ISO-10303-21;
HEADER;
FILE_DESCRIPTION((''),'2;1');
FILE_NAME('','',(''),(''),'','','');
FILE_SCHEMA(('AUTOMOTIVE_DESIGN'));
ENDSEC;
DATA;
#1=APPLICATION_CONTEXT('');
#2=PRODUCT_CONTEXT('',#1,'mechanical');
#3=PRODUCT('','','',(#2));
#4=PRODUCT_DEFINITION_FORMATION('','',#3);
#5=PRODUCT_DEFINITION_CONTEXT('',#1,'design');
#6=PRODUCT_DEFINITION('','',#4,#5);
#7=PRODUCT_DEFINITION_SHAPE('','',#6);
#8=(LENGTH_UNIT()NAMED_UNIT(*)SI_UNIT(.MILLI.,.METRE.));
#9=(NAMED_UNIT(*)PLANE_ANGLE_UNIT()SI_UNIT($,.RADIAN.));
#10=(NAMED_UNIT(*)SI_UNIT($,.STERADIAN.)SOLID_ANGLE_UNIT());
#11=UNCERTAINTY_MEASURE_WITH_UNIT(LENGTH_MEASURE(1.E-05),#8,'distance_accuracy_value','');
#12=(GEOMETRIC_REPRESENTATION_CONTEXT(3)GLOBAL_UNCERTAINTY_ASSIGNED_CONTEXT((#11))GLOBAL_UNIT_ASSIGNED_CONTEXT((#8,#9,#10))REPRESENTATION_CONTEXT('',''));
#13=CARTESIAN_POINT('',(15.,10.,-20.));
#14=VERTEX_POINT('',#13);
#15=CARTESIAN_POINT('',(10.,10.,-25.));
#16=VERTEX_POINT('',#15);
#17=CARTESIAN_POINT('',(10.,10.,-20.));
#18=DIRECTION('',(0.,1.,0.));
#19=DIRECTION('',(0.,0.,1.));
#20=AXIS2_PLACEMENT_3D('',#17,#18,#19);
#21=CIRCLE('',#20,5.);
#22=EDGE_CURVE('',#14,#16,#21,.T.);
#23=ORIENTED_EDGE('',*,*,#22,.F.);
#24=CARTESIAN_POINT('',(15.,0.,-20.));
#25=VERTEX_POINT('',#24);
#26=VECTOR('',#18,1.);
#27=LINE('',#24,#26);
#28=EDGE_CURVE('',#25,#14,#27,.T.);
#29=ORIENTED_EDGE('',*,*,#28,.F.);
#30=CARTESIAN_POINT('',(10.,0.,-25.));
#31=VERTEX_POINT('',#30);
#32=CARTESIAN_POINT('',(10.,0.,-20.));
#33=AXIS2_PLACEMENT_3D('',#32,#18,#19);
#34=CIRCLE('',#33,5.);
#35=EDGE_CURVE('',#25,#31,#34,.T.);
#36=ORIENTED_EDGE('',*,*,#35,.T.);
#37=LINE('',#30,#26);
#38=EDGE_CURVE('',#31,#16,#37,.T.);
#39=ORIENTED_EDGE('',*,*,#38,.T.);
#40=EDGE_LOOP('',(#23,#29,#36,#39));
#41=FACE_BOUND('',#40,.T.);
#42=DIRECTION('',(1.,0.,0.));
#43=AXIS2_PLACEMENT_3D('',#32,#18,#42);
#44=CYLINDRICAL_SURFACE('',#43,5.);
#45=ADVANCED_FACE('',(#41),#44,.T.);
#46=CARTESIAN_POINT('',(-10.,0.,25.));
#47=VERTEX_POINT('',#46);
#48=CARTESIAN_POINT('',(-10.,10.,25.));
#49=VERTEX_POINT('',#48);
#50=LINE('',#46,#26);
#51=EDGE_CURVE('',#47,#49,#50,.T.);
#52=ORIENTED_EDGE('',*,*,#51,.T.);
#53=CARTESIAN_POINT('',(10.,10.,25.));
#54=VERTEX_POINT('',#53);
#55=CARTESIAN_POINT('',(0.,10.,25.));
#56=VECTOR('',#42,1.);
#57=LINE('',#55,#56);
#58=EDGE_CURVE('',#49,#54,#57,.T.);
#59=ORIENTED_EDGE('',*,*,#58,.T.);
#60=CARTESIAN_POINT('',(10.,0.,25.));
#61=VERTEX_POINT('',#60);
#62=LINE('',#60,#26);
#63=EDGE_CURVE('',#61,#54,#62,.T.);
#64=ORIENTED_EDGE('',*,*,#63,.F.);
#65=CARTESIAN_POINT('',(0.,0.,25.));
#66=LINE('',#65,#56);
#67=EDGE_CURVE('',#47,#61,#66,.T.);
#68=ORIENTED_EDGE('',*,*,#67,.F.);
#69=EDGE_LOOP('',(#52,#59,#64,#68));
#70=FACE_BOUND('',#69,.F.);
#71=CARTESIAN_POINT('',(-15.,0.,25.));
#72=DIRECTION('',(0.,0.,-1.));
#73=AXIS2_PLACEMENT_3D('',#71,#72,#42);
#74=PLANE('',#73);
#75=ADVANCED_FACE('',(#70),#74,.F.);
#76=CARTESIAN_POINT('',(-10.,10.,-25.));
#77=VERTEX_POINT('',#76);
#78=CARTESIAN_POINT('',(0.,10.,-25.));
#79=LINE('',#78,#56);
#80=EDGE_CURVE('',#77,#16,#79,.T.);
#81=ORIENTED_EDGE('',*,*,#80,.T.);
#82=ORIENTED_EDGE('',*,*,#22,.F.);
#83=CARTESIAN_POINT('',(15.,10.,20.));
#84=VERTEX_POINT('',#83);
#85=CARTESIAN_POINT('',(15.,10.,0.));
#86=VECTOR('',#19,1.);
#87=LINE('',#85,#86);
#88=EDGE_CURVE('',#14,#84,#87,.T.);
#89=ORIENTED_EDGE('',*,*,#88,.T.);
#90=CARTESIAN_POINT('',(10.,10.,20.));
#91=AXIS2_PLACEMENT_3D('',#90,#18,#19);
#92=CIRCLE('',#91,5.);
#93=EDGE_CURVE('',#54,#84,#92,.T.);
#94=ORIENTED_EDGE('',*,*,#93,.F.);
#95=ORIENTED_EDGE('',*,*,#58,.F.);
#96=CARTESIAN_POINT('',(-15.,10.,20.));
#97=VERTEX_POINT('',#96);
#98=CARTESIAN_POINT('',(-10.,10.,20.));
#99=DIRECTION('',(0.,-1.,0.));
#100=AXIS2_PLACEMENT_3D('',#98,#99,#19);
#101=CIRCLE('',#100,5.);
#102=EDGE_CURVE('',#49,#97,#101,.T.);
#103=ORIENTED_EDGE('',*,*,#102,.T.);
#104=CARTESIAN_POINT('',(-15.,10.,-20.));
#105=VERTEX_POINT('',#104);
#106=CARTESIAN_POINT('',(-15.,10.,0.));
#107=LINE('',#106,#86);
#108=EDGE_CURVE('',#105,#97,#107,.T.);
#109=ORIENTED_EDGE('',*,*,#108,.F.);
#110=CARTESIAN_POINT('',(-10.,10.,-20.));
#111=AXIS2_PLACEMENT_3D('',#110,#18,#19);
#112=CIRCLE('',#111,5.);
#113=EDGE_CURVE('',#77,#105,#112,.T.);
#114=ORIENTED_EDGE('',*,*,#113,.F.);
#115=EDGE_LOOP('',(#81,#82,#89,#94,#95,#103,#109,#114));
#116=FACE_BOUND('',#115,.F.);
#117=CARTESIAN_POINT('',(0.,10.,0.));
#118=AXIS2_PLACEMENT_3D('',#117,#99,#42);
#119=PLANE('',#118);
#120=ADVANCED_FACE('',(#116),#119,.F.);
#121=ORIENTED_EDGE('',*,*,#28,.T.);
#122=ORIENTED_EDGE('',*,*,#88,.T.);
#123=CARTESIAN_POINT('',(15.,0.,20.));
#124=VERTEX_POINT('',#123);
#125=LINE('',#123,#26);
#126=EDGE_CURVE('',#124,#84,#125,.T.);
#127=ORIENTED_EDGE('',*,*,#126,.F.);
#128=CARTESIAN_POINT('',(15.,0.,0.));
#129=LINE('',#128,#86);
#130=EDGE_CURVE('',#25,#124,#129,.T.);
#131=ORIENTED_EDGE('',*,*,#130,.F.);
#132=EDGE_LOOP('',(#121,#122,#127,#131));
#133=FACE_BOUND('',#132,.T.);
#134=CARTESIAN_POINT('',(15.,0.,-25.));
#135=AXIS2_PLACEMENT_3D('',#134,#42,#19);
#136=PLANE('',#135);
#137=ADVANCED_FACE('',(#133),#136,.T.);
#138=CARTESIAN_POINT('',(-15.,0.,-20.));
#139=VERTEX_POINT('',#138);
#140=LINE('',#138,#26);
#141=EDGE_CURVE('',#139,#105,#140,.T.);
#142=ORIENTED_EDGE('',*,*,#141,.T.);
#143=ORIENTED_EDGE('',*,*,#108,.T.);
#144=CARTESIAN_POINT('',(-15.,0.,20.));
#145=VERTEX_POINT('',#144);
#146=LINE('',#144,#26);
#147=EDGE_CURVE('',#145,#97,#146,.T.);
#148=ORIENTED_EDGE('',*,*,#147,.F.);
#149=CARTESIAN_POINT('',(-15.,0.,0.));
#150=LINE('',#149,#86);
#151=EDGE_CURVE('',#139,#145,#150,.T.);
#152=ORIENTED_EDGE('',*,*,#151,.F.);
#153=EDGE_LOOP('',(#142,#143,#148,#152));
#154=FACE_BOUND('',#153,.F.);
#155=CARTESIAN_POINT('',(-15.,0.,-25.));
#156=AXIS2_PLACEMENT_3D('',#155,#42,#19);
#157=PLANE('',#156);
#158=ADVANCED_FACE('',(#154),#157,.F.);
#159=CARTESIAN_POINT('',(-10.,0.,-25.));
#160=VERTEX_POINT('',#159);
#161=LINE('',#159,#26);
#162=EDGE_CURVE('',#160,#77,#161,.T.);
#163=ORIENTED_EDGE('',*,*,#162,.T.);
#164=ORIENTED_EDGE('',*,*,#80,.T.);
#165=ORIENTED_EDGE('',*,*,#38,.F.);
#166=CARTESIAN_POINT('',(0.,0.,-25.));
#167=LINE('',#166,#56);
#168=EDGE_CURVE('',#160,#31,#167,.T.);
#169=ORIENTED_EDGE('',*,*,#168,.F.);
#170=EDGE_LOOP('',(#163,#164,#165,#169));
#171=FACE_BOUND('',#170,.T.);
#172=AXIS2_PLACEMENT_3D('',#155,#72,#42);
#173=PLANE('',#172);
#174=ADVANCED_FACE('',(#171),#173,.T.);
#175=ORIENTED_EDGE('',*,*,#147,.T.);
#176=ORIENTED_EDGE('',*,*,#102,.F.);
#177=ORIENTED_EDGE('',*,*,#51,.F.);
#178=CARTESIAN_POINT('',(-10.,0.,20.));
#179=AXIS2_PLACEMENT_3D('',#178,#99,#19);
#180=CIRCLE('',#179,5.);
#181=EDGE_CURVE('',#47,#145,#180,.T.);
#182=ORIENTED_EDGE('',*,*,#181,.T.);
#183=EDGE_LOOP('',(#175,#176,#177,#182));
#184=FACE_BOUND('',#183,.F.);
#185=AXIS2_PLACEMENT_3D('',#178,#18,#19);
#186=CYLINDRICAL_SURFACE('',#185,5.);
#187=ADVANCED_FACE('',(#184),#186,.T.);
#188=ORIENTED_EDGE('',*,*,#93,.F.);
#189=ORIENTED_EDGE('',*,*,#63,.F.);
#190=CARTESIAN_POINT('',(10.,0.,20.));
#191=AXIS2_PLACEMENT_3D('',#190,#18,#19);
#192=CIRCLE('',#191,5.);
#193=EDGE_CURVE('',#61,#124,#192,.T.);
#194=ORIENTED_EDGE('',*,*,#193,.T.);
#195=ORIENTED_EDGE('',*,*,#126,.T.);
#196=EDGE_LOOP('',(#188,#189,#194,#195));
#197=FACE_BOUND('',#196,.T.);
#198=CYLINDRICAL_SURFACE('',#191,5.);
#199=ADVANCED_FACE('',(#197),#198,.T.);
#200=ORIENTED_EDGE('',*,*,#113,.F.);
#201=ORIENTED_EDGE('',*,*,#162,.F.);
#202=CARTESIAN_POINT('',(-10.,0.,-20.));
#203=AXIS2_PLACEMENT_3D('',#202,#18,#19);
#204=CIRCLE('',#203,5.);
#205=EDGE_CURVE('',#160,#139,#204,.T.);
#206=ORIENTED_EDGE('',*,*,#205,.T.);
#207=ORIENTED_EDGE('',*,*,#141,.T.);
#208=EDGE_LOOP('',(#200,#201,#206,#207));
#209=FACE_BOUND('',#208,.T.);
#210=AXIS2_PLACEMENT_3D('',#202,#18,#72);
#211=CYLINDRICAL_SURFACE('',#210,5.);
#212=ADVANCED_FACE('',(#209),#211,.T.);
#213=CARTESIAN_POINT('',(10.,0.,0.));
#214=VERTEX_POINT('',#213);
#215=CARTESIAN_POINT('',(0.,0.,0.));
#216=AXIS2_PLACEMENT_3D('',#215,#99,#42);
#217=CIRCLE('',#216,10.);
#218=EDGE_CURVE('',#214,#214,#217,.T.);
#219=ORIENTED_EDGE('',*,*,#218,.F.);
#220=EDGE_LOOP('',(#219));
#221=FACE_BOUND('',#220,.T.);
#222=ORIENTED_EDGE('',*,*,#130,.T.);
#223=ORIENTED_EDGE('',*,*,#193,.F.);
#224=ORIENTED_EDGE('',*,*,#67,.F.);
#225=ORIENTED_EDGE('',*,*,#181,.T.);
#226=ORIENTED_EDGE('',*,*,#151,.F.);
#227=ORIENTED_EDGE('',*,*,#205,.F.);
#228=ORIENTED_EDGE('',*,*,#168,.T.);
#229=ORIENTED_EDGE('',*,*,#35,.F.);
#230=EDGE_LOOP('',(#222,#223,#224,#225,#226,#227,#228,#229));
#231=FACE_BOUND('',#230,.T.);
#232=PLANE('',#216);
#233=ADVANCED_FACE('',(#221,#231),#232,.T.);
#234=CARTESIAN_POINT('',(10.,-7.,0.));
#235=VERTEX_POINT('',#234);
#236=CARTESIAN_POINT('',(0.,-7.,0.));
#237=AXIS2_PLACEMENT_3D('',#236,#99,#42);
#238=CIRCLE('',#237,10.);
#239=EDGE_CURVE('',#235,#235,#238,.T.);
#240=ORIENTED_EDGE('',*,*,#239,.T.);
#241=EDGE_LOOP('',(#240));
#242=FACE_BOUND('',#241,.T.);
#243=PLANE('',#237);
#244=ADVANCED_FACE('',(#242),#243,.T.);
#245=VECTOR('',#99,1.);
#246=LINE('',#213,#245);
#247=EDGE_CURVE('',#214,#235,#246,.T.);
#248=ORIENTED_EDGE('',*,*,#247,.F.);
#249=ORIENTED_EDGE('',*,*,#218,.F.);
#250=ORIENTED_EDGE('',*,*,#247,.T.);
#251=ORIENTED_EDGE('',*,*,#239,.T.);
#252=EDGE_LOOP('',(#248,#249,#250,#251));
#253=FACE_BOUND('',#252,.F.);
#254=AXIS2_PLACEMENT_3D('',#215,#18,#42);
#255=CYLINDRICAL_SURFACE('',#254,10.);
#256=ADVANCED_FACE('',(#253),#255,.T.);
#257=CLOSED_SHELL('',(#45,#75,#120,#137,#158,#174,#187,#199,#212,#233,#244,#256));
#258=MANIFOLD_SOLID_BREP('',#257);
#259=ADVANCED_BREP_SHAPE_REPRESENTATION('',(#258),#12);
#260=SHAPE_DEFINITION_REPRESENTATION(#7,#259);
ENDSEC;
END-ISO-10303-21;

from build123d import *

# Parameters (mm, degrees)
F0_W     = 30
F0_H     = 50
F1_DEPTH = 10
F2_R     = 10
F3_DEPTH = 7
F4_R     = 5
F5_R     = 5
F6_R     = 5
F7_R     = 5


with BuildPart() as f1:
    # F0 (on Front) → F1 (new body)
    with BuildSketch(Plane.XZ):
        Rectangle(F0_W, F0_H)
    extrude(amount=-F1_DEPTH)

    # F2 (on face) → F3 (join)
    with BuildSketch(Plane.XZ):
        Circle(F2_R)
    extrude(amount=F3_DEPTH)

    # F4
    f4_edges = [f1.edges().sort_by_distance(p)[0] for p in [
        (15, 5, 25),
    ]]
    fillet(f4_edges, radius=F4_R)

    # F5
    f5_edges = [f1.edges().sort_by_distance(p)[0] for p in [
        (-15, 5, 25),
    ]]
    fillet(f5_edges, radius=F5_R)

    # F6
    f6_edges = [f1.edges().sort_by_distance(p)[0] for p in [
        (15, 5, -25),
    ]]
    fillet(f6_edges, radius=F6_R)

    # F7
    f7_edges = [f1.edges().sort_by_distance(p)[0] for p in [
        (-15, 5, -25),
    ]]
    fillet(f7_edges, radius=F7_R)


solid = f1.part
